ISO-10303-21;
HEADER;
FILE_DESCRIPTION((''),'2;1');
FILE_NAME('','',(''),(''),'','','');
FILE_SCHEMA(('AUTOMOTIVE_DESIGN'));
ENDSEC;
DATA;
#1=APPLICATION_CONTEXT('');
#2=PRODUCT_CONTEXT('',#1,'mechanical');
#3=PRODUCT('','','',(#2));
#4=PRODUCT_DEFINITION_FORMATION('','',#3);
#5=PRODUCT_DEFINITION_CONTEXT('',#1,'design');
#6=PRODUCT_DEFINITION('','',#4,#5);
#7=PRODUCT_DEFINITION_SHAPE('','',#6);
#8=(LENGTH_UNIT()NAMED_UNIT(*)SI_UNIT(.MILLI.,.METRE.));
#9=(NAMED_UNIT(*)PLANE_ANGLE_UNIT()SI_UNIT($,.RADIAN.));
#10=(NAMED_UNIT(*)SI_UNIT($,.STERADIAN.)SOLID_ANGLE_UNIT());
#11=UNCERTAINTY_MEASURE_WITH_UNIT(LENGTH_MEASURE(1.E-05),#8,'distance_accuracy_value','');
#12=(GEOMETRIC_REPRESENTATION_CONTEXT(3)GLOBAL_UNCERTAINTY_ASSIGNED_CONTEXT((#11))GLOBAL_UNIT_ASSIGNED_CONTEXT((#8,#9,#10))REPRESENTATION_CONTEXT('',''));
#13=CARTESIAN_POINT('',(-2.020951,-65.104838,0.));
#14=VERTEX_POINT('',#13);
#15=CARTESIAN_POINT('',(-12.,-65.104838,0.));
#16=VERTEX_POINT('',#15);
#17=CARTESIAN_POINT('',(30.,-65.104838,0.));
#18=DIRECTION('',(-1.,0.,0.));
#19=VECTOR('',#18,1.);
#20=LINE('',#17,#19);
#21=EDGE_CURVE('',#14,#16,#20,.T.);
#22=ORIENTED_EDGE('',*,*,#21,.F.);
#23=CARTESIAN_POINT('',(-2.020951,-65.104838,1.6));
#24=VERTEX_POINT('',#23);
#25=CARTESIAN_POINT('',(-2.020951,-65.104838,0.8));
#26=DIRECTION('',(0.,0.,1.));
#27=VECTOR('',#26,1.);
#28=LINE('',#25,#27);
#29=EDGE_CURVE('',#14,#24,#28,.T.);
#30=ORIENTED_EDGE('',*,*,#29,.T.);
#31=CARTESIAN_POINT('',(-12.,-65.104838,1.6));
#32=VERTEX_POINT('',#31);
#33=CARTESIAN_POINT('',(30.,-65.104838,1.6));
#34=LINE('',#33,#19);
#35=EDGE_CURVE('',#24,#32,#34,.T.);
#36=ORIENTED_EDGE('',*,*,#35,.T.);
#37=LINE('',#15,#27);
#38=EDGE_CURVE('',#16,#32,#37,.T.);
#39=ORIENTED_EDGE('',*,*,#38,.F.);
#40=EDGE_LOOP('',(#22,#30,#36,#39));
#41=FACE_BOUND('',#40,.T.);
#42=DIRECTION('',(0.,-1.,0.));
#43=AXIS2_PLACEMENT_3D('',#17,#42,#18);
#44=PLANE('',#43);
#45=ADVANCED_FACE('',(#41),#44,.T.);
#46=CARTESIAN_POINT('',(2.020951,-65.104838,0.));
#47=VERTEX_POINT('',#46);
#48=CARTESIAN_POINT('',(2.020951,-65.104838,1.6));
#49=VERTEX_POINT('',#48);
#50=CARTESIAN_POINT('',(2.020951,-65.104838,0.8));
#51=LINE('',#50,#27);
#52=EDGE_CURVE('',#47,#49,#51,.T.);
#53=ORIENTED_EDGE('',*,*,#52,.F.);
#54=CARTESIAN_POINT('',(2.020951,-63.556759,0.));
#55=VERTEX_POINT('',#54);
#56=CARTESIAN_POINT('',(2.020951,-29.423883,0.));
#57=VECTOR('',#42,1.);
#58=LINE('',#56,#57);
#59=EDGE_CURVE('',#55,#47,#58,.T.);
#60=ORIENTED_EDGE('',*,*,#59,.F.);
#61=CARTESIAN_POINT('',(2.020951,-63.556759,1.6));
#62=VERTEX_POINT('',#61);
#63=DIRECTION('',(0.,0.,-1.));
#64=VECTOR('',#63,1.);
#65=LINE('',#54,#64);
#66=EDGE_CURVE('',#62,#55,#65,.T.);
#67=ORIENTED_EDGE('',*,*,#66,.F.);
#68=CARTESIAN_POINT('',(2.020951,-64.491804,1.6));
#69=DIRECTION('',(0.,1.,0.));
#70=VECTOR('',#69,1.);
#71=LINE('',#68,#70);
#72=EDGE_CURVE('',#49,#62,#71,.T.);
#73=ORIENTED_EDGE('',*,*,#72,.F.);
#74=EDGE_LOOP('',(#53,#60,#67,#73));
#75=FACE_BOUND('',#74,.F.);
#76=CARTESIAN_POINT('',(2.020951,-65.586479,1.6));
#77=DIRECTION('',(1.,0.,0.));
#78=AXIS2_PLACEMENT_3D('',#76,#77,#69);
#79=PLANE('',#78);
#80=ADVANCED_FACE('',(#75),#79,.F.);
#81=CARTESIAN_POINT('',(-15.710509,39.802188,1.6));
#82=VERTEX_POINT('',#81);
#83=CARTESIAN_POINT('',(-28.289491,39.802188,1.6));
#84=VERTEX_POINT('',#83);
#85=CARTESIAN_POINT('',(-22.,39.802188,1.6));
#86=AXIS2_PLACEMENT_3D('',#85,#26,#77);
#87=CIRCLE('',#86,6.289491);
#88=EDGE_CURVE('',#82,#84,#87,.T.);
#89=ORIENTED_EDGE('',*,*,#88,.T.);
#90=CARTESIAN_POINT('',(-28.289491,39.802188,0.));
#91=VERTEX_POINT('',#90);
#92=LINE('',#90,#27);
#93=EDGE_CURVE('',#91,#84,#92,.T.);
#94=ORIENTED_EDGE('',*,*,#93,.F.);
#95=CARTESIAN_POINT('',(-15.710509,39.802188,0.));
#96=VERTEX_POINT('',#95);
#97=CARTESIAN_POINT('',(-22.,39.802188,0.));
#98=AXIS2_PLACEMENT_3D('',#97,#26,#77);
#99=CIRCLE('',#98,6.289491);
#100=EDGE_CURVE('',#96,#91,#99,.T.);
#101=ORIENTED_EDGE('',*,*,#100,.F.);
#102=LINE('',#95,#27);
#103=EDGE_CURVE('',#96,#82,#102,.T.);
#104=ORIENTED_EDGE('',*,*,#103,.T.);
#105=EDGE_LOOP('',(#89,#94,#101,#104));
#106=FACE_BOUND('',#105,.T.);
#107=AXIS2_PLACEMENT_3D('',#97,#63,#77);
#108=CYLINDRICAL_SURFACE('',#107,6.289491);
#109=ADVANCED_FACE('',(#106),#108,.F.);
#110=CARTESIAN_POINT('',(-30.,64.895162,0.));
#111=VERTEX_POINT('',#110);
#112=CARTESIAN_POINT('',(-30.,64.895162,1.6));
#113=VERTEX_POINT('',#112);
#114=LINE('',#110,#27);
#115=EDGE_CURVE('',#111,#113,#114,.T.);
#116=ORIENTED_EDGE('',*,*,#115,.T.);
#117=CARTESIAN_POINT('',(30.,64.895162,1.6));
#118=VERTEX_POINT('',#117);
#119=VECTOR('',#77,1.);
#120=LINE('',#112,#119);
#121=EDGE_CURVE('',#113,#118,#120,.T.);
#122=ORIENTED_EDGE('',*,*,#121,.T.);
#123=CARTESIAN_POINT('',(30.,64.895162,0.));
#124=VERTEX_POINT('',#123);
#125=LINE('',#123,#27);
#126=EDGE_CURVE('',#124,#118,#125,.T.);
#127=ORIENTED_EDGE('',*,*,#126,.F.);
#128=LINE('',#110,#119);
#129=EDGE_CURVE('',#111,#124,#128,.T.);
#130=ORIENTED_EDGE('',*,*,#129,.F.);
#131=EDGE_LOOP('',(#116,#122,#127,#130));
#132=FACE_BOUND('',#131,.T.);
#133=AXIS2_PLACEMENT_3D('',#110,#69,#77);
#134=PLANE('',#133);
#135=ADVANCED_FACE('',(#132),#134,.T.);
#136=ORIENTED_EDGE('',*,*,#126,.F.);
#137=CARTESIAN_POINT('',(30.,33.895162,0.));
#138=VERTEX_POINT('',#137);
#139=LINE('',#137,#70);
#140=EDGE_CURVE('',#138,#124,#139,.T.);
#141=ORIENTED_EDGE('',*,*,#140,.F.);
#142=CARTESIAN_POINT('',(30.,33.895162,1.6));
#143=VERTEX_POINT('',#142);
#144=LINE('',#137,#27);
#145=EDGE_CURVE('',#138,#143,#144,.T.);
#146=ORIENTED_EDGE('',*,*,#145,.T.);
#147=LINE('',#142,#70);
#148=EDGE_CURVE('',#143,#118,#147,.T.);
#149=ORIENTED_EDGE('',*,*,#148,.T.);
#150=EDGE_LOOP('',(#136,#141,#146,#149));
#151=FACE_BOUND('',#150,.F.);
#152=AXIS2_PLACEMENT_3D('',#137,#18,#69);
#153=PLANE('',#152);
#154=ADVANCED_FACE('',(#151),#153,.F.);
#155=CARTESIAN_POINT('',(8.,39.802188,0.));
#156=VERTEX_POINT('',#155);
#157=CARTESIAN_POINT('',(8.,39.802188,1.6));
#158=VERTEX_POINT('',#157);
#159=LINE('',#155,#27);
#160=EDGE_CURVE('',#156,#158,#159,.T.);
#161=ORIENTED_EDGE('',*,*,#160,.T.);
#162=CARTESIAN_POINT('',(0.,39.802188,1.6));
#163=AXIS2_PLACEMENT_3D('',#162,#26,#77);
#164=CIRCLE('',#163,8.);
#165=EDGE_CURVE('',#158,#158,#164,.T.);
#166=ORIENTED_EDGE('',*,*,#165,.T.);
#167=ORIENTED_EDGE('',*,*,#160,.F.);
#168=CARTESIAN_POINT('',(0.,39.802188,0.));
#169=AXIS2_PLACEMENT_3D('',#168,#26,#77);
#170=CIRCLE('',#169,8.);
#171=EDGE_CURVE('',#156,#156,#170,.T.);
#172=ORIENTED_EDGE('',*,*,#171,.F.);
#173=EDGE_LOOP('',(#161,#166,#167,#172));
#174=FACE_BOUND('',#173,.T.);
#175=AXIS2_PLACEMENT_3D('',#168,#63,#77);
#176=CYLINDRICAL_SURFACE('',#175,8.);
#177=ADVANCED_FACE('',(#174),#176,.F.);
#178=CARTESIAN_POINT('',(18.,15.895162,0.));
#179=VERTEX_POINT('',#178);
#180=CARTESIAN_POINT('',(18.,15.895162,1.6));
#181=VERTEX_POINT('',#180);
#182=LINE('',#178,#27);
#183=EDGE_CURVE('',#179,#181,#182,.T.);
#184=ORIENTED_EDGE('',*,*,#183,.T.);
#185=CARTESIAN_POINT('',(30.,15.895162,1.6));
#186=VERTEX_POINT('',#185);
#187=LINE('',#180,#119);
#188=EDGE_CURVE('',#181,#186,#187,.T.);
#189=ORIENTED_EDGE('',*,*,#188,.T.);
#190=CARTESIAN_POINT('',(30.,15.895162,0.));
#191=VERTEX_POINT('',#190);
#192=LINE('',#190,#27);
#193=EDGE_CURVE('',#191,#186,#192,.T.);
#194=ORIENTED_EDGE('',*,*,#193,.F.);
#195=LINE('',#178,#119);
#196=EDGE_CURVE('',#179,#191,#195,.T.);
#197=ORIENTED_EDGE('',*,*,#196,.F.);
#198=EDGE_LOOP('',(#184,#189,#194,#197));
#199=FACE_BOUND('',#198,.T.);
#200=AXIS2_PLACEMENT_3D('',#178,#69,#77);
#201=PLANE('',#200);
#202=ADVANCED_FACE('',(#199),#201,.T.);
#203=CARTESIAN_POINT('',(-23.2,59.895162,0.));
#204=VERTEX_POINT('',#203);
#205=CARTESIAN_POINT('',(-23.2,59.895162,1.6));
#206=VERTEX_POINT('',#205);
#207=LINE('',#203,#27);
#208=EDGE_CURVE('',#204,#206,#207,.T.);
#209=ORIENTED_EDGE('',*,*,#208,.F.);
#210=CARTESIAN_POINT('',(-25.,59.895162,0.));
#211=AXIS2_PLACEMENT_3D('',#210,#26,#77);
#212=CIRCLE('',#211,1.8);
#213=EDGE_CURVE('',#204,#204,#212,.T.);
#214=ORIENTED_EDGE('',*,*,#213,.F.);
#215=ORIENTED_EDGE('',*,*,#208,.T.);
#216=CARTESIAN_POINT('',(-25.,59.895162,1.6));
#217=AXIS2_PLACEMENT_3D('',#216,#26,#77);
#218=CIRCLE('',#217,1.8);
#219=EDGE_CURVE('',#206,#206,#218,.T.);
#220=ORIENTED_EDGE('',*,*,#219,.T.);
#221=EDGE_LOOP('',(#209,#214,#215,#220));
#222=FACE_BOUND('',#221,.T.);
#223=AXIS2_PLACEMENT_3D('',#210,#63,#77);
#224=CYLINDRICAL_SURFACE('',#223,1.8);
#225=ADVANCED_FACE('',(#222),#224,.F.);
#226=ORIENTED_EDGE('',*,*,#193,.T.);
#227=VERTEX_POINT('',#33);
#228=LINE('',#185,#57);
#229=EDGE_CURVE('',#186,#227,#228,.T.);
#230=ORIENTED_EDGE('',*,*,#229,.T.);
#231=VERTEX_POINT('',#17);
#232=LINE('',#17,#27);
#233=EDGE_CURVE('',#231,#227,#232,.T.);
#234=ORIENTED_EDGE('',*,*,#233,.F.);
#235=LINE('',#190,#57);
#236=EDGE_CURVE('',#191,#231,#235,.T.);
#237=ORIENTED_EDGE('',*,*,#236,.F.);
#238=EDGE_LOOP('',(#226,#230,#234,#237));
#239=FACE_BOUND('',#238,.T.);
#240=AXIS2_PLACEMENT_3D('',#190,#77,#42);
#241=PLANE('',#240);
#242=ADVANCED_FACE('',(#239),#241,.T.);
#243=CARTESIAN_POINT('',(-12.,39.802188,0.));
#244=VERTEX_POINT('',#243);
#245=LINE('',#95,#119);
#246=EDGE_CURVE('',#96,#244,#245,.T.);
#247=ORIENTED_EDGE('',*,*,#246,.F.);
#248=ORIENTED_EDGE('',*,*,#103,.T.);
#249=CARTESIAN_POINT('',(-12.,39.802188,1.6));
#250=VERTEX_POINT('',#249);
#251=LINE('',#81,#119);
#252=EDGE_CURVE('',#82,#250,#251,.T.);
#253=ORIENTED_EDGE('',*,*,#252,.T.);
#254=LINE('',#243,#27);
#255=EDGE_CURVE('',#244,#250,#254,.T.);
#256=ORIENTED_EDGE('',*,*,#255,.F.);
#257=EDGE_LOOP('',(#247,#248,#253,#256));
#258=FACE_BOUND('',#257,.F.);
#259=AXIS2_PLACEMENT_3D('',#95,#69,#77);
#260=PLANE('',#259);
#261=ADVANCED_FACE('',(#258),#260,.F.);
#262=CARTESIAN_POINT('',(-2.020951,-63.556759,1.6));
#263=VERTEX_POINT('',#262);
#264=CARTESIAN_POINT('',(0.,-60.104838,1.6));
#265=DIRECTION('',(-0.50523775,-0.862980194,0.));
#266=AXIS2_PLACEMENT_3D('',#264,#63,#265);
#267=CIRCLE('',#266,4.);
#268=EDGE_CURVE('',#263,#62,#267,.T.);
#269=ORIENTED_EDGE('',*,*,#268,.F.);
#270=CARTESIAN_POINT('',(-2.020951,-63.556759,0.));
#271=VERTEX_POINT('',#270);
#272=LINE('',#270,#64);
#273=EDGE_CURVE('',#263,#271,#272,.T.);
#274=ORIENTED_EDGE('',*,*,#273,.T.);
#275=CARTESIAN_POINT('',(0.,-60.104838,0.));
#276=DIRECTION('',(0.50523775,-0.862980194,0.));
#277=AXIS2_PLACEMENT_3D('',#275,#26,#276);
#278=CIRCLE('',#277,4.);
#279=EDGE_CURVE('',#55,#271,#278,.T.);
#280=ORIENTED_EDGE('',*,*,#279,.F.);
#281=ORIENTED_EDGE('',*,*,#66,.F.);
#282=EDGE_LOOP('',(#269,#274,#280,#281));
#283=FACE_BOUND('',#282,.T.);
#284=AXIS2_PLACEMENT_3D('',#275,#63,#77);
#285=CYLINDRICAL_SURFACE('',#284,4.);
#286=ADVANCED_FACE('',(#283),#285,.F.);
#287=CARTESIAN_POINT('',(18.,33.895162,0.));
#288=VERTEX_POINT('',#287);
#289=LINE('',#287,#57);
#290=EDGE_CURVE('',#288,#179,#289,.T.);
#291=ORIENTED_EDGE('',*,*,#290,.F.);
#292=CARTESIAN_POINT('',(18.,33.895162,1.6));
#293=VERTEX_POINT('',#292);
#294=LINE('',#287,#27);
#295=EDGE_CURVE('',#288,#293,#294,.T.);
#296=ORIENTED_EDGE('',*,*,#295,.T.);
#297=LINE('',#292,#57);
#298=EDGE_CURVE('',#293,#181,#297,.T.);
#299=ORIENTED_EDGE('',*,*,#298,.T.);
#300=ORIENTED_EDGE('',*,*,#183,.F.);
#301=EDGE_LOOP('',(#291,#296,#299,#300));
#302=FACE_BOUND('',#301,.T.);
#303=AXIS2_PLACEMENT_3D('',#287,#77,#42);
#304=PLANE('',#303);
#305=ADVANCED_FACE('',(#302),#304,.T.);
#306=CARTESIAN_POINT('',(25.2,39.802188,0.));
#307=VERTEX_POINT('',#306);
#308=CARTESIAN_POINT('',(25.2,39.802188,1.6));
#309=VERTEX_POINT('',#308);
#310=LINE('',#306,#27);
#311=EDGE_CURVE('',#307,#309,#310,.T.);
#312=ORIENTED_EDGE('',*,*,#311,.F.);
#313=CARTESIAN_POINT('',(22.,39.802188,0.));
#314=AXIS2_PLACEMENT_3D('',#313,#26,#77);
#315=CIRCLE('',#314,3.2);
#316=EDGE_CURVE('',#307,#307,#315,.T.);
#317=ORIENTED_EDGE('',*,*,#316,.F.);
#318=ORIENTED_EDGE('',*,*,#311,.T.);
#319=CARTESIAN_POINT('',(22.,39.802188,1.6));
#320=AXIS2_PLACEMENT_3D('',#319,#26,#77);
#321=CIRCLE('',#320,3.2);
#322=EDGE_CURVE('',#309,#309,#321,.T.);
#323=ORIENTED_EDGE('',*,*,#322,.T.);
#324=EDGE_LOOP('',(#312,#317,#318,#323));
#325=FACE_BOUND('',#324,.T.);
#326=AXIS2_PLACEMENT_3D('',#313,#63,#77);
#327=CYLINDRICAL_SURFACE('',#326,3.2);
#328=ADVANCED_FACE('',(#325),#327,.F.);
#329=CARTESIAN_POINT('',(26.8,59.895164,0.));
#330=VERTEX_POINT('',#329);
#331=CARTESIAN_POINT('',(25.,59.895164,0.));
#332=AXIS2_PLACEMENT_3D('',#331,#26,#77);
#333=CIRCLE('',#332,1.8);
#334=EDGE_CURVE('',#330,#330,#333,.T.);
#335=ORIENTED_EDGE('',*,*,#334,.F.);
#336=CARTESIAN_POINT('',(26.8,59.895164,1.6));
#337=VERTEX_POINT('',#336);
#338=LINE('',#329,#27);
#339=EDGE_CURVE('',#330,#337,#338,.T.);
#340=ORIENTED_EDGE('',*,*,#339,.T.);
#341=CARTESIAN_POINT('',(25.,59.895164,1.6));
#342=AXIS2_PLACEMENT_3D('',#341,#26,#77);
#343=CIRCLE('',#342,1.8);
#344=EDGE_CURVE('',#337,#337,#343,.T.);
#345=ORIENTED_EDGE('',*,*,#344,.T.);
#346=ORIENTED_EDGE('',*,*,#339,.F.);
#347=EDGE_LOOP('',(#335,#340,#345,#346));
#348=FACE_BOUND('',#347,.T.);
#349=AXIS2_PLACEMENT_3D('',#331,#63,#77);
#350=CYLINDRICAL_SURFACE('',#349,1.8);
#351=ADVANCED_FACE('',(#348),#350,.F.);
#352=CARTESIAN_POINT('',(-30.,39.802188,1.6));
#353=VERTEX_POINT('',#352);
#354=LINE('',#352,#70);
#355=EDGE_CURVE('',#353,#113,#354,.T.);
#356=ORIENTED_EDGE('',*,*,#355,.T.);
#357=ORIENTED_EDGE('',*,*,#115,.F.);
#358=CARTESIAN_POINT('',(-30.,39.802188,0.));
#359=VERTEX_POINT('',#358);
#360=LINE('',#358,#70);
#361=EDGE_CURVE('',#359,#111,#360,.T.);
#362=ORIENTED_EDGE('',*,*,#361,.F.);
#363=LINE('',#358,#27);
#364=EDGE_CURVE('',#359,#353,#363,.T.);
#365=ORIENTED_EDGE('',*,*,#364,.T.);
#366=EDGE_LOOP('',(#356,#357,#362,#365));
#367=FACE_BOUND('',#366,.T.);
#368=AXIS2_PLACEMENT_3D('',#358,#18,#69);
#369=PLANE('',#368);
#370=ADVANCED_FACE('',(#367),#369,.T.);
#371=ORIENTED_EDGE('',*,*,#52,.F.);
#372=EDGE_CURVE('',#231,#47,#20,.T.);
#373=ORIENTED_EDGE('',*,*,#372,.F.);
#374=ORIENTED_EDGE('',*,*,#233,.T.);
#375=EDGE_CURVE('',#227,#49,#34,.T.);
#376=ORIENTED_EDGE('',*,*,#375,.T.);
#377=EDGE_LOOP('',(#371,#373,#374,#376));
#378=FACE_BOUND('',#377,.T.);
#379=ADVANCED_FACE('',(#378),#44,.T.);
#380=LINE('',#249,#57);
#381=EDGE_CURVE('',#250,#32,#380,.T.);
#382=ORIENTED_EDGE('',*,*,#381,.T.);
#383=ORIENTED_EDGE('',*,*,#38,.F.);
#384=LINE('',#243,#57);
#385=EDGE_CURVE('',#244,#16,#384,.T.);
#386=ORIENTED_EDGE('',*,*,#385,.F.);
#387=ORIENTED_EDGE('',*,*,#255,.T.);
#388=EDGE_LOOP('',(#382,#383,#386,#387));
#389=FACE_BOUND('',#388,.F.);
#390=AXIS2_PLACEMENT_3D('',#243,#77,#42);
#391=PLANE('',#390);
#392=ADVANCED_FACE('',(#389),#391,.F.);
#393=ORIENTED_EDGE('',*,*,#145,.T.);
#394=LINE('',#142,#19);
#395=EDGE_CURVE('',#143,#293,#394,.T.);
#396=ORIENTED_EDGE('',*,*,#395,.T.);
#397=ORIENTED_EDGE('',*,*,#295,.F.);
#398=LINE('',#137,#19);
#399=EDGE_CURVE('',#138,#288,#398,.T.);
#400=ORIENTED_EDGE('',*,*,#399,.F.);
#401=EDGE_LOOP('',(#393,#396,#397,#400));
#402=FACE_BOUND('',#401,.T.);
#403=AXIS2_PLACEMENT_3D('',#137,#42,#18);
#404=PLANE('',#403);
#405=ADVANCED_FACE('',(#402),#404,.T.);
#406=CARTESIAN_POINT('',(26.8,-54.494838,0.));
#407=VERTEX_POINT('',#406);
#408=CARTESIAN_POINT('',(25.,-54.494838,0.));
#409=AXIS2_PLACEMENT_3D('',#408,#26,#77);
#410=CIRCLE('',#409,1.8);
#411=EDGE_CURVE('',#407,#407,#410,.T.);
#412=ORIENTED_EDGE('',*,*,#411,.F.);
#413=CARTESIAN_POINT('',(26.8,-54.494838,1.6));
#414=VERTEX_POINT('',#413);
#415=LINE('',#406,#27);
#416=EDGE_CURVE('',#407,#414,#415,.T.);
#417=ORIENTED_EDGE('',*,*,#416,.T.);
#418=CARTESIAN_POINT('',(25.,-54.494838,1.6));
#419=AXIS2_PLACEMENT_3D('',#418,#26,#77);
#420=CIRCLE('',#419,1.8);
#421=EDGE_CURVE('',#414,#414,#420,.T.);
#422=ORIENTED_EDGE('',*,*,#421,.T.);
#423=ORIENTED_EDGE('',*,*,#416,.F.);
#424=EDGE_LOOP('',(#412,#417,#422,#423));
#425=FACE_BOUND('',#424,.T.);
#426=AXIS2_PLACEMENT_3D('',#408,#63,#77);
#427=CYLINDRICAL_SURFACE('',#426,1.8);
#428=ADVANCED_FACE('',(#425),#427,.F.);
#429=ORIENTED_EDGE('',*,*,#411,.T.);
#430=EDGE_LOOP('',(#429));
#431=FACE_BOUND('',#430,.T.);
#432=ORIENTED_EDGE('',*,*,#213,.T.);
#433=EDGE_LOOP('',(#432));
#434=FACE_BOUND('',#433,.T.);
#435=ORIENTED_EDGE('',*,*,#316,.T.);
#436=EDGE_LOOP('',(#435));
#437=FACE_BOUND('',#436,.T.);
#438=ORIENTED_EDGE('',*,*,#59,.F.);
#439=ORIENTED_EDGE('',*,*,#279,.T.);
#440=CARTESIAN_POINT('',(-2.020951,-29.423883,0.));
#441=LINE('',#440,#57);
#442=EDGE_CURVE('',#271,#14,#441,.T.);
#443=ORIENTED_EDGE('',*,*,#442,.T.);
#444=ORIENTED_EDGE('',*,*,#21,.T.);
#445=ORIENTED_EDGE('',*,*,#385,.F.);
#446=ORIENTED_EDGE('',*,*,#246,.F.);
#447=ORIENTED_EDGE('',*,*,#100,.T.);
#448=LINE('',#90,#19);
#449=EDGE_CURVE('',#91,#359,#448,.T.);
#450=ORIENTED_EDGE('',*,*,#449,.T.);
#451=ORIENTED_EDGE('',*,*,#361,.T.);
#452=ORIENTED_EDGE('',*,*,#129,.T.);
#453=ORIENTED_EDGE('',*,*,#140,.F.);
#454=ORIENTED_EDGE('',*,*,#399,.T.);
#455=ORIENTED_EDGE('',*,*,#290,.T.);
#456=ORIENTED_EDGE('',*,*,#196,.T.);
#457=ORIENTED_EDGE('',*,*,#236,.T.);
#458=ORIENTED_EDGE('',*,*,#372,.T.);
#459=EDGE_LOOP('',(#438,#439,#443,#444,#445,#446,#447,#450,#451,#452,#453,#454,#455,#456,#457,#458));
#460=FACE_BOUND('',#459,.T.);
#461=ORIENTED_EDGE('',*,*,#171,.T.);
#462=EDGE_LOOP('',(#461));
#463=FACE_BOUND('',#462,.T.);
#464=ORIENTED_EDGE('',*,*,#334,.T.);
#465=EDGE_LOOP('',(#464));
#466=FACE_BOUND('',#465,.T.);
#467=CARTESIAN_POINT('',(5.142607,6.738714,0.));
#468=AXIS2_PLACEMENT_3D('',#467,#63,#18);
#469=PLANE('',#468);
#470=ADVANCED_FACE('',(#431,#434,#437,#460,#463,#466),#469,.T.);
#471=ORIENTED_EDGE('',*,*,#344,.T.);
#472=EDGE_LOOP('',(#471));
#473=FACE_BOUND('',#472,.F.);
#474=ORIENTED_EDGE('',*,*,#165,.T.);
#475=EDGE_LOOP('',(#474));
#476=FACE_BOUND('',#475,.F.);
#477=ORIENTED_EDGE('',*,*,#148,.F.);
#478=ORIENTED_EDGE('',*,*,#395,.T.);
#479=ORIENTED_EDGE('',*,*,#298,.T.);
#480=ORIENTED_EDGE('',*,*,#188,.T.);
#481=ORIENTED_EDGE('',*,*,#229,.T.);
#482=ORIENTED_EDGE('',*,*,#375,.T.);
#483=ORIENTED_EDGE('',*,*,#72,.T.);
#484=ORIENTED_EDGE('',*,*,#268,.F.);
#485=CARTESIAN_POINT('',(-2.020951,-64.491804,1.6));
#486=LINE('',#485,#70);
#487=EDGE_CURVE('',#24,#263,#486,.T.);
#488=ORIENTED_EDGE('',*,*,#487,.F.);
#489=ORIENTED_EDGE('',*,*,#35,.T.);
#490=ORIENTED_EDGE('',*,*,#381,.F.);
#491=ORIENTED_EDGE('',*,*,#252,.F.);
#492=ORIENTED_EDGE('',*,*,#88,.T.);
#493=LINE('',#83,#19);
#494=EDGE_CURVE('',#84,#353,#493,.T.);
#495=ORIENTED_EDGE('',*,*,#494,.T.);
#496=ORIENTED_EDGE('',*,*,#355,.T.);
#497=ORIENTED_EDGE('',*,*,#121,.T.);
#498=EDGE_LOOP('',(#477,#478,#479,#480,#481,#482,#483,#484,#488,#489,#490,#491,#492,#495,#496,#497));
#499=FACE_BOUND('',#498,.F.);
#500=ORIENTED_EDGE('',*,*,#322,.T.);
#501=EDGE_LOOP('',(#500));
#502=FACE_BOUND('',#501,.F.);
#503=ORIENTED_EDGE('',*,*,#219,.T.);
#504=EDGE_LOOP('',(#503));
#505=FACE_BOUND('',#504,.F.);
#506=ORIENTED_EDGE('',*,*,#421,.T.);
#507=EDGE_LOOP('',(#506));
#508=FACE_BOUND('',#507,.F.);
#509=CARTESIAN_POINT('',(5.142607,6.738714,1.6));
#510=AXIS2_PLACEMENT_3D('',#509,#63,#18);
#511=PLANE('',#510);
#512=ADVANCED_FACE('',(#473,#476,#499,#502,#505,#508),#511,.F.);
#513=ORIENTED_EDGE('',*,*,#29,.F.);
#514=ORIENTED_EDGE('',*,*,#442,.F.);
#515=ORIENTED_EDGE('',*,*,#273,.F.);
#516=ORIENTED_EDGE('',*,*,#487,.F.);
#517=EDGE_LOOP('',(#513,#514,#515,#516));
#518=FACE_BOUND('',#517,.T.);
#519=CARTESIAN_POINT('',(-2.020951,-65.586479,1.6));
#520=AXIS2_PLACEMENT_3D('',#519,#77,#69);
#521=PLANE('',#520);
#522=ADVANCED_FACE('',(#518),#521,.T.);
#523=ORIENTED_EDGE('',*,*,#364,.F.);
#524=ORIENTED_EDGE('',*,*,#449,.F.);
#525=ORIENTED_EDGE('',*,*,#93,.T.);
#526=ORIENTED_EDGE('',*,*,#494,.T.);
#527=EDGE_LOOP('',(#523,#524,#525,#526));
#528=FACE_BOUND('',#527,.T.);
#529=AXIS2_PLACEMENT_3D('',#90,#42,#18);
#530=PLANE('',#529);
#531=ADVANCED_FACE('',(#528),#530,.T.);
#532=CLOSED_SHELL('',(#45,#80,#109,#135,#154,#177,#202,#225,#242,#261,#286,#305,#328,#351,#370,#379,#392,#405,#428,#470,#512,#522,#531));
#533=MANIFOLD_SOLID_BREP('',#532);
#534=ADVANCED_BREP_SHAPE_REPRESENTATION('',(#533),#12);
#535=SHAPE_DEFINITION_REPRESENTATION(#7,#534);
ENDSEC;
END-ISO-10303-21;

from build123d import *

# Parameters (mm, degrees)
SKETCH_R     = 8
SKETCH_R_2   = 3.2
SKETCH_R_3   = 4
SKETCH_R_4   = 1.8
PAD_DEPTH    = 1.6
SKETCH001_W  = 4.041902
SKETCH001_H  = 2.18935
POCKET_DEPTH = 5


with BuildPart() as part:
    # Sketch → Pad (new body)
    with BuildSketch(Plane.XY):
        with BuildLine():
            ThreePointArc((-15.710509, 39.802188), (-22, 46.091679), (-28.289491, 39.802188))
            Line((-28.289491, 39.802188), (-30, 39.802188))
            Line((-30, 39.802188), (-30, 64.895162))
            Line((-30, 64.895162), (30, 64.895162))
            Line((30, 33.895162), (30, 64.895162))
            Line((30, 33.895162), (18, 33.895162))
            Line((18, 33.895162), (18, 15.895162))
            Line((18, 15.895162), (30, 15.895162))
            Line((30, 15.895162), (30, -65.104838))
            Line((30, -65.104838), (-12, -65.104838))
            Line((-12, -49.414836), (-12, -65.104838))
            Line((-12, -8.197812), (-12, -49.414836))
            Line((-12, 39.802188), (-12, -8.197812))
            Line((-15.710509, 39.802188), (-12, 39.802188))
        make_face()
        with Locations((0, 39.802188)):
            Circle(SKETCH_R, mode=Mode.SUBTRACT)
        with Locations((22, 39.802188)):
            Circle(SKETCH_R_2, mode=Mode.SUBTRACT)
        with Locations((0, -60.104838)):
            Circle(SKETCH_R_3, mode=Mode.SUBTRACT)
        with Locations((25, -54.494838)):
            Circle(SKETCH_R_4, mode=Mode.SUBTRACT)
        with Locations((25, 59.895164)):
            Circle(SKETCH_R_4, mode=Mode.SUBTRACT)
        with Locations((-25, 59.895162)):
            Circle(SKETCH_R_4, mode=Mode.SUBTRACT)
    extrude(amount=PAD_DEPTH)

    # Sketch001 (on Face22 of Pad) → Pocket (cut)
    with BuildSketch(Plane.XY.offset(1.6)):
        with Locations((0, -64.491804)):
            Rectangle(SKETCH001_W, SKETCH001_H)
    extrude(amount=-POCKET_DEPTH, mode=Mode.SUBTRACT)


solid = part.part
